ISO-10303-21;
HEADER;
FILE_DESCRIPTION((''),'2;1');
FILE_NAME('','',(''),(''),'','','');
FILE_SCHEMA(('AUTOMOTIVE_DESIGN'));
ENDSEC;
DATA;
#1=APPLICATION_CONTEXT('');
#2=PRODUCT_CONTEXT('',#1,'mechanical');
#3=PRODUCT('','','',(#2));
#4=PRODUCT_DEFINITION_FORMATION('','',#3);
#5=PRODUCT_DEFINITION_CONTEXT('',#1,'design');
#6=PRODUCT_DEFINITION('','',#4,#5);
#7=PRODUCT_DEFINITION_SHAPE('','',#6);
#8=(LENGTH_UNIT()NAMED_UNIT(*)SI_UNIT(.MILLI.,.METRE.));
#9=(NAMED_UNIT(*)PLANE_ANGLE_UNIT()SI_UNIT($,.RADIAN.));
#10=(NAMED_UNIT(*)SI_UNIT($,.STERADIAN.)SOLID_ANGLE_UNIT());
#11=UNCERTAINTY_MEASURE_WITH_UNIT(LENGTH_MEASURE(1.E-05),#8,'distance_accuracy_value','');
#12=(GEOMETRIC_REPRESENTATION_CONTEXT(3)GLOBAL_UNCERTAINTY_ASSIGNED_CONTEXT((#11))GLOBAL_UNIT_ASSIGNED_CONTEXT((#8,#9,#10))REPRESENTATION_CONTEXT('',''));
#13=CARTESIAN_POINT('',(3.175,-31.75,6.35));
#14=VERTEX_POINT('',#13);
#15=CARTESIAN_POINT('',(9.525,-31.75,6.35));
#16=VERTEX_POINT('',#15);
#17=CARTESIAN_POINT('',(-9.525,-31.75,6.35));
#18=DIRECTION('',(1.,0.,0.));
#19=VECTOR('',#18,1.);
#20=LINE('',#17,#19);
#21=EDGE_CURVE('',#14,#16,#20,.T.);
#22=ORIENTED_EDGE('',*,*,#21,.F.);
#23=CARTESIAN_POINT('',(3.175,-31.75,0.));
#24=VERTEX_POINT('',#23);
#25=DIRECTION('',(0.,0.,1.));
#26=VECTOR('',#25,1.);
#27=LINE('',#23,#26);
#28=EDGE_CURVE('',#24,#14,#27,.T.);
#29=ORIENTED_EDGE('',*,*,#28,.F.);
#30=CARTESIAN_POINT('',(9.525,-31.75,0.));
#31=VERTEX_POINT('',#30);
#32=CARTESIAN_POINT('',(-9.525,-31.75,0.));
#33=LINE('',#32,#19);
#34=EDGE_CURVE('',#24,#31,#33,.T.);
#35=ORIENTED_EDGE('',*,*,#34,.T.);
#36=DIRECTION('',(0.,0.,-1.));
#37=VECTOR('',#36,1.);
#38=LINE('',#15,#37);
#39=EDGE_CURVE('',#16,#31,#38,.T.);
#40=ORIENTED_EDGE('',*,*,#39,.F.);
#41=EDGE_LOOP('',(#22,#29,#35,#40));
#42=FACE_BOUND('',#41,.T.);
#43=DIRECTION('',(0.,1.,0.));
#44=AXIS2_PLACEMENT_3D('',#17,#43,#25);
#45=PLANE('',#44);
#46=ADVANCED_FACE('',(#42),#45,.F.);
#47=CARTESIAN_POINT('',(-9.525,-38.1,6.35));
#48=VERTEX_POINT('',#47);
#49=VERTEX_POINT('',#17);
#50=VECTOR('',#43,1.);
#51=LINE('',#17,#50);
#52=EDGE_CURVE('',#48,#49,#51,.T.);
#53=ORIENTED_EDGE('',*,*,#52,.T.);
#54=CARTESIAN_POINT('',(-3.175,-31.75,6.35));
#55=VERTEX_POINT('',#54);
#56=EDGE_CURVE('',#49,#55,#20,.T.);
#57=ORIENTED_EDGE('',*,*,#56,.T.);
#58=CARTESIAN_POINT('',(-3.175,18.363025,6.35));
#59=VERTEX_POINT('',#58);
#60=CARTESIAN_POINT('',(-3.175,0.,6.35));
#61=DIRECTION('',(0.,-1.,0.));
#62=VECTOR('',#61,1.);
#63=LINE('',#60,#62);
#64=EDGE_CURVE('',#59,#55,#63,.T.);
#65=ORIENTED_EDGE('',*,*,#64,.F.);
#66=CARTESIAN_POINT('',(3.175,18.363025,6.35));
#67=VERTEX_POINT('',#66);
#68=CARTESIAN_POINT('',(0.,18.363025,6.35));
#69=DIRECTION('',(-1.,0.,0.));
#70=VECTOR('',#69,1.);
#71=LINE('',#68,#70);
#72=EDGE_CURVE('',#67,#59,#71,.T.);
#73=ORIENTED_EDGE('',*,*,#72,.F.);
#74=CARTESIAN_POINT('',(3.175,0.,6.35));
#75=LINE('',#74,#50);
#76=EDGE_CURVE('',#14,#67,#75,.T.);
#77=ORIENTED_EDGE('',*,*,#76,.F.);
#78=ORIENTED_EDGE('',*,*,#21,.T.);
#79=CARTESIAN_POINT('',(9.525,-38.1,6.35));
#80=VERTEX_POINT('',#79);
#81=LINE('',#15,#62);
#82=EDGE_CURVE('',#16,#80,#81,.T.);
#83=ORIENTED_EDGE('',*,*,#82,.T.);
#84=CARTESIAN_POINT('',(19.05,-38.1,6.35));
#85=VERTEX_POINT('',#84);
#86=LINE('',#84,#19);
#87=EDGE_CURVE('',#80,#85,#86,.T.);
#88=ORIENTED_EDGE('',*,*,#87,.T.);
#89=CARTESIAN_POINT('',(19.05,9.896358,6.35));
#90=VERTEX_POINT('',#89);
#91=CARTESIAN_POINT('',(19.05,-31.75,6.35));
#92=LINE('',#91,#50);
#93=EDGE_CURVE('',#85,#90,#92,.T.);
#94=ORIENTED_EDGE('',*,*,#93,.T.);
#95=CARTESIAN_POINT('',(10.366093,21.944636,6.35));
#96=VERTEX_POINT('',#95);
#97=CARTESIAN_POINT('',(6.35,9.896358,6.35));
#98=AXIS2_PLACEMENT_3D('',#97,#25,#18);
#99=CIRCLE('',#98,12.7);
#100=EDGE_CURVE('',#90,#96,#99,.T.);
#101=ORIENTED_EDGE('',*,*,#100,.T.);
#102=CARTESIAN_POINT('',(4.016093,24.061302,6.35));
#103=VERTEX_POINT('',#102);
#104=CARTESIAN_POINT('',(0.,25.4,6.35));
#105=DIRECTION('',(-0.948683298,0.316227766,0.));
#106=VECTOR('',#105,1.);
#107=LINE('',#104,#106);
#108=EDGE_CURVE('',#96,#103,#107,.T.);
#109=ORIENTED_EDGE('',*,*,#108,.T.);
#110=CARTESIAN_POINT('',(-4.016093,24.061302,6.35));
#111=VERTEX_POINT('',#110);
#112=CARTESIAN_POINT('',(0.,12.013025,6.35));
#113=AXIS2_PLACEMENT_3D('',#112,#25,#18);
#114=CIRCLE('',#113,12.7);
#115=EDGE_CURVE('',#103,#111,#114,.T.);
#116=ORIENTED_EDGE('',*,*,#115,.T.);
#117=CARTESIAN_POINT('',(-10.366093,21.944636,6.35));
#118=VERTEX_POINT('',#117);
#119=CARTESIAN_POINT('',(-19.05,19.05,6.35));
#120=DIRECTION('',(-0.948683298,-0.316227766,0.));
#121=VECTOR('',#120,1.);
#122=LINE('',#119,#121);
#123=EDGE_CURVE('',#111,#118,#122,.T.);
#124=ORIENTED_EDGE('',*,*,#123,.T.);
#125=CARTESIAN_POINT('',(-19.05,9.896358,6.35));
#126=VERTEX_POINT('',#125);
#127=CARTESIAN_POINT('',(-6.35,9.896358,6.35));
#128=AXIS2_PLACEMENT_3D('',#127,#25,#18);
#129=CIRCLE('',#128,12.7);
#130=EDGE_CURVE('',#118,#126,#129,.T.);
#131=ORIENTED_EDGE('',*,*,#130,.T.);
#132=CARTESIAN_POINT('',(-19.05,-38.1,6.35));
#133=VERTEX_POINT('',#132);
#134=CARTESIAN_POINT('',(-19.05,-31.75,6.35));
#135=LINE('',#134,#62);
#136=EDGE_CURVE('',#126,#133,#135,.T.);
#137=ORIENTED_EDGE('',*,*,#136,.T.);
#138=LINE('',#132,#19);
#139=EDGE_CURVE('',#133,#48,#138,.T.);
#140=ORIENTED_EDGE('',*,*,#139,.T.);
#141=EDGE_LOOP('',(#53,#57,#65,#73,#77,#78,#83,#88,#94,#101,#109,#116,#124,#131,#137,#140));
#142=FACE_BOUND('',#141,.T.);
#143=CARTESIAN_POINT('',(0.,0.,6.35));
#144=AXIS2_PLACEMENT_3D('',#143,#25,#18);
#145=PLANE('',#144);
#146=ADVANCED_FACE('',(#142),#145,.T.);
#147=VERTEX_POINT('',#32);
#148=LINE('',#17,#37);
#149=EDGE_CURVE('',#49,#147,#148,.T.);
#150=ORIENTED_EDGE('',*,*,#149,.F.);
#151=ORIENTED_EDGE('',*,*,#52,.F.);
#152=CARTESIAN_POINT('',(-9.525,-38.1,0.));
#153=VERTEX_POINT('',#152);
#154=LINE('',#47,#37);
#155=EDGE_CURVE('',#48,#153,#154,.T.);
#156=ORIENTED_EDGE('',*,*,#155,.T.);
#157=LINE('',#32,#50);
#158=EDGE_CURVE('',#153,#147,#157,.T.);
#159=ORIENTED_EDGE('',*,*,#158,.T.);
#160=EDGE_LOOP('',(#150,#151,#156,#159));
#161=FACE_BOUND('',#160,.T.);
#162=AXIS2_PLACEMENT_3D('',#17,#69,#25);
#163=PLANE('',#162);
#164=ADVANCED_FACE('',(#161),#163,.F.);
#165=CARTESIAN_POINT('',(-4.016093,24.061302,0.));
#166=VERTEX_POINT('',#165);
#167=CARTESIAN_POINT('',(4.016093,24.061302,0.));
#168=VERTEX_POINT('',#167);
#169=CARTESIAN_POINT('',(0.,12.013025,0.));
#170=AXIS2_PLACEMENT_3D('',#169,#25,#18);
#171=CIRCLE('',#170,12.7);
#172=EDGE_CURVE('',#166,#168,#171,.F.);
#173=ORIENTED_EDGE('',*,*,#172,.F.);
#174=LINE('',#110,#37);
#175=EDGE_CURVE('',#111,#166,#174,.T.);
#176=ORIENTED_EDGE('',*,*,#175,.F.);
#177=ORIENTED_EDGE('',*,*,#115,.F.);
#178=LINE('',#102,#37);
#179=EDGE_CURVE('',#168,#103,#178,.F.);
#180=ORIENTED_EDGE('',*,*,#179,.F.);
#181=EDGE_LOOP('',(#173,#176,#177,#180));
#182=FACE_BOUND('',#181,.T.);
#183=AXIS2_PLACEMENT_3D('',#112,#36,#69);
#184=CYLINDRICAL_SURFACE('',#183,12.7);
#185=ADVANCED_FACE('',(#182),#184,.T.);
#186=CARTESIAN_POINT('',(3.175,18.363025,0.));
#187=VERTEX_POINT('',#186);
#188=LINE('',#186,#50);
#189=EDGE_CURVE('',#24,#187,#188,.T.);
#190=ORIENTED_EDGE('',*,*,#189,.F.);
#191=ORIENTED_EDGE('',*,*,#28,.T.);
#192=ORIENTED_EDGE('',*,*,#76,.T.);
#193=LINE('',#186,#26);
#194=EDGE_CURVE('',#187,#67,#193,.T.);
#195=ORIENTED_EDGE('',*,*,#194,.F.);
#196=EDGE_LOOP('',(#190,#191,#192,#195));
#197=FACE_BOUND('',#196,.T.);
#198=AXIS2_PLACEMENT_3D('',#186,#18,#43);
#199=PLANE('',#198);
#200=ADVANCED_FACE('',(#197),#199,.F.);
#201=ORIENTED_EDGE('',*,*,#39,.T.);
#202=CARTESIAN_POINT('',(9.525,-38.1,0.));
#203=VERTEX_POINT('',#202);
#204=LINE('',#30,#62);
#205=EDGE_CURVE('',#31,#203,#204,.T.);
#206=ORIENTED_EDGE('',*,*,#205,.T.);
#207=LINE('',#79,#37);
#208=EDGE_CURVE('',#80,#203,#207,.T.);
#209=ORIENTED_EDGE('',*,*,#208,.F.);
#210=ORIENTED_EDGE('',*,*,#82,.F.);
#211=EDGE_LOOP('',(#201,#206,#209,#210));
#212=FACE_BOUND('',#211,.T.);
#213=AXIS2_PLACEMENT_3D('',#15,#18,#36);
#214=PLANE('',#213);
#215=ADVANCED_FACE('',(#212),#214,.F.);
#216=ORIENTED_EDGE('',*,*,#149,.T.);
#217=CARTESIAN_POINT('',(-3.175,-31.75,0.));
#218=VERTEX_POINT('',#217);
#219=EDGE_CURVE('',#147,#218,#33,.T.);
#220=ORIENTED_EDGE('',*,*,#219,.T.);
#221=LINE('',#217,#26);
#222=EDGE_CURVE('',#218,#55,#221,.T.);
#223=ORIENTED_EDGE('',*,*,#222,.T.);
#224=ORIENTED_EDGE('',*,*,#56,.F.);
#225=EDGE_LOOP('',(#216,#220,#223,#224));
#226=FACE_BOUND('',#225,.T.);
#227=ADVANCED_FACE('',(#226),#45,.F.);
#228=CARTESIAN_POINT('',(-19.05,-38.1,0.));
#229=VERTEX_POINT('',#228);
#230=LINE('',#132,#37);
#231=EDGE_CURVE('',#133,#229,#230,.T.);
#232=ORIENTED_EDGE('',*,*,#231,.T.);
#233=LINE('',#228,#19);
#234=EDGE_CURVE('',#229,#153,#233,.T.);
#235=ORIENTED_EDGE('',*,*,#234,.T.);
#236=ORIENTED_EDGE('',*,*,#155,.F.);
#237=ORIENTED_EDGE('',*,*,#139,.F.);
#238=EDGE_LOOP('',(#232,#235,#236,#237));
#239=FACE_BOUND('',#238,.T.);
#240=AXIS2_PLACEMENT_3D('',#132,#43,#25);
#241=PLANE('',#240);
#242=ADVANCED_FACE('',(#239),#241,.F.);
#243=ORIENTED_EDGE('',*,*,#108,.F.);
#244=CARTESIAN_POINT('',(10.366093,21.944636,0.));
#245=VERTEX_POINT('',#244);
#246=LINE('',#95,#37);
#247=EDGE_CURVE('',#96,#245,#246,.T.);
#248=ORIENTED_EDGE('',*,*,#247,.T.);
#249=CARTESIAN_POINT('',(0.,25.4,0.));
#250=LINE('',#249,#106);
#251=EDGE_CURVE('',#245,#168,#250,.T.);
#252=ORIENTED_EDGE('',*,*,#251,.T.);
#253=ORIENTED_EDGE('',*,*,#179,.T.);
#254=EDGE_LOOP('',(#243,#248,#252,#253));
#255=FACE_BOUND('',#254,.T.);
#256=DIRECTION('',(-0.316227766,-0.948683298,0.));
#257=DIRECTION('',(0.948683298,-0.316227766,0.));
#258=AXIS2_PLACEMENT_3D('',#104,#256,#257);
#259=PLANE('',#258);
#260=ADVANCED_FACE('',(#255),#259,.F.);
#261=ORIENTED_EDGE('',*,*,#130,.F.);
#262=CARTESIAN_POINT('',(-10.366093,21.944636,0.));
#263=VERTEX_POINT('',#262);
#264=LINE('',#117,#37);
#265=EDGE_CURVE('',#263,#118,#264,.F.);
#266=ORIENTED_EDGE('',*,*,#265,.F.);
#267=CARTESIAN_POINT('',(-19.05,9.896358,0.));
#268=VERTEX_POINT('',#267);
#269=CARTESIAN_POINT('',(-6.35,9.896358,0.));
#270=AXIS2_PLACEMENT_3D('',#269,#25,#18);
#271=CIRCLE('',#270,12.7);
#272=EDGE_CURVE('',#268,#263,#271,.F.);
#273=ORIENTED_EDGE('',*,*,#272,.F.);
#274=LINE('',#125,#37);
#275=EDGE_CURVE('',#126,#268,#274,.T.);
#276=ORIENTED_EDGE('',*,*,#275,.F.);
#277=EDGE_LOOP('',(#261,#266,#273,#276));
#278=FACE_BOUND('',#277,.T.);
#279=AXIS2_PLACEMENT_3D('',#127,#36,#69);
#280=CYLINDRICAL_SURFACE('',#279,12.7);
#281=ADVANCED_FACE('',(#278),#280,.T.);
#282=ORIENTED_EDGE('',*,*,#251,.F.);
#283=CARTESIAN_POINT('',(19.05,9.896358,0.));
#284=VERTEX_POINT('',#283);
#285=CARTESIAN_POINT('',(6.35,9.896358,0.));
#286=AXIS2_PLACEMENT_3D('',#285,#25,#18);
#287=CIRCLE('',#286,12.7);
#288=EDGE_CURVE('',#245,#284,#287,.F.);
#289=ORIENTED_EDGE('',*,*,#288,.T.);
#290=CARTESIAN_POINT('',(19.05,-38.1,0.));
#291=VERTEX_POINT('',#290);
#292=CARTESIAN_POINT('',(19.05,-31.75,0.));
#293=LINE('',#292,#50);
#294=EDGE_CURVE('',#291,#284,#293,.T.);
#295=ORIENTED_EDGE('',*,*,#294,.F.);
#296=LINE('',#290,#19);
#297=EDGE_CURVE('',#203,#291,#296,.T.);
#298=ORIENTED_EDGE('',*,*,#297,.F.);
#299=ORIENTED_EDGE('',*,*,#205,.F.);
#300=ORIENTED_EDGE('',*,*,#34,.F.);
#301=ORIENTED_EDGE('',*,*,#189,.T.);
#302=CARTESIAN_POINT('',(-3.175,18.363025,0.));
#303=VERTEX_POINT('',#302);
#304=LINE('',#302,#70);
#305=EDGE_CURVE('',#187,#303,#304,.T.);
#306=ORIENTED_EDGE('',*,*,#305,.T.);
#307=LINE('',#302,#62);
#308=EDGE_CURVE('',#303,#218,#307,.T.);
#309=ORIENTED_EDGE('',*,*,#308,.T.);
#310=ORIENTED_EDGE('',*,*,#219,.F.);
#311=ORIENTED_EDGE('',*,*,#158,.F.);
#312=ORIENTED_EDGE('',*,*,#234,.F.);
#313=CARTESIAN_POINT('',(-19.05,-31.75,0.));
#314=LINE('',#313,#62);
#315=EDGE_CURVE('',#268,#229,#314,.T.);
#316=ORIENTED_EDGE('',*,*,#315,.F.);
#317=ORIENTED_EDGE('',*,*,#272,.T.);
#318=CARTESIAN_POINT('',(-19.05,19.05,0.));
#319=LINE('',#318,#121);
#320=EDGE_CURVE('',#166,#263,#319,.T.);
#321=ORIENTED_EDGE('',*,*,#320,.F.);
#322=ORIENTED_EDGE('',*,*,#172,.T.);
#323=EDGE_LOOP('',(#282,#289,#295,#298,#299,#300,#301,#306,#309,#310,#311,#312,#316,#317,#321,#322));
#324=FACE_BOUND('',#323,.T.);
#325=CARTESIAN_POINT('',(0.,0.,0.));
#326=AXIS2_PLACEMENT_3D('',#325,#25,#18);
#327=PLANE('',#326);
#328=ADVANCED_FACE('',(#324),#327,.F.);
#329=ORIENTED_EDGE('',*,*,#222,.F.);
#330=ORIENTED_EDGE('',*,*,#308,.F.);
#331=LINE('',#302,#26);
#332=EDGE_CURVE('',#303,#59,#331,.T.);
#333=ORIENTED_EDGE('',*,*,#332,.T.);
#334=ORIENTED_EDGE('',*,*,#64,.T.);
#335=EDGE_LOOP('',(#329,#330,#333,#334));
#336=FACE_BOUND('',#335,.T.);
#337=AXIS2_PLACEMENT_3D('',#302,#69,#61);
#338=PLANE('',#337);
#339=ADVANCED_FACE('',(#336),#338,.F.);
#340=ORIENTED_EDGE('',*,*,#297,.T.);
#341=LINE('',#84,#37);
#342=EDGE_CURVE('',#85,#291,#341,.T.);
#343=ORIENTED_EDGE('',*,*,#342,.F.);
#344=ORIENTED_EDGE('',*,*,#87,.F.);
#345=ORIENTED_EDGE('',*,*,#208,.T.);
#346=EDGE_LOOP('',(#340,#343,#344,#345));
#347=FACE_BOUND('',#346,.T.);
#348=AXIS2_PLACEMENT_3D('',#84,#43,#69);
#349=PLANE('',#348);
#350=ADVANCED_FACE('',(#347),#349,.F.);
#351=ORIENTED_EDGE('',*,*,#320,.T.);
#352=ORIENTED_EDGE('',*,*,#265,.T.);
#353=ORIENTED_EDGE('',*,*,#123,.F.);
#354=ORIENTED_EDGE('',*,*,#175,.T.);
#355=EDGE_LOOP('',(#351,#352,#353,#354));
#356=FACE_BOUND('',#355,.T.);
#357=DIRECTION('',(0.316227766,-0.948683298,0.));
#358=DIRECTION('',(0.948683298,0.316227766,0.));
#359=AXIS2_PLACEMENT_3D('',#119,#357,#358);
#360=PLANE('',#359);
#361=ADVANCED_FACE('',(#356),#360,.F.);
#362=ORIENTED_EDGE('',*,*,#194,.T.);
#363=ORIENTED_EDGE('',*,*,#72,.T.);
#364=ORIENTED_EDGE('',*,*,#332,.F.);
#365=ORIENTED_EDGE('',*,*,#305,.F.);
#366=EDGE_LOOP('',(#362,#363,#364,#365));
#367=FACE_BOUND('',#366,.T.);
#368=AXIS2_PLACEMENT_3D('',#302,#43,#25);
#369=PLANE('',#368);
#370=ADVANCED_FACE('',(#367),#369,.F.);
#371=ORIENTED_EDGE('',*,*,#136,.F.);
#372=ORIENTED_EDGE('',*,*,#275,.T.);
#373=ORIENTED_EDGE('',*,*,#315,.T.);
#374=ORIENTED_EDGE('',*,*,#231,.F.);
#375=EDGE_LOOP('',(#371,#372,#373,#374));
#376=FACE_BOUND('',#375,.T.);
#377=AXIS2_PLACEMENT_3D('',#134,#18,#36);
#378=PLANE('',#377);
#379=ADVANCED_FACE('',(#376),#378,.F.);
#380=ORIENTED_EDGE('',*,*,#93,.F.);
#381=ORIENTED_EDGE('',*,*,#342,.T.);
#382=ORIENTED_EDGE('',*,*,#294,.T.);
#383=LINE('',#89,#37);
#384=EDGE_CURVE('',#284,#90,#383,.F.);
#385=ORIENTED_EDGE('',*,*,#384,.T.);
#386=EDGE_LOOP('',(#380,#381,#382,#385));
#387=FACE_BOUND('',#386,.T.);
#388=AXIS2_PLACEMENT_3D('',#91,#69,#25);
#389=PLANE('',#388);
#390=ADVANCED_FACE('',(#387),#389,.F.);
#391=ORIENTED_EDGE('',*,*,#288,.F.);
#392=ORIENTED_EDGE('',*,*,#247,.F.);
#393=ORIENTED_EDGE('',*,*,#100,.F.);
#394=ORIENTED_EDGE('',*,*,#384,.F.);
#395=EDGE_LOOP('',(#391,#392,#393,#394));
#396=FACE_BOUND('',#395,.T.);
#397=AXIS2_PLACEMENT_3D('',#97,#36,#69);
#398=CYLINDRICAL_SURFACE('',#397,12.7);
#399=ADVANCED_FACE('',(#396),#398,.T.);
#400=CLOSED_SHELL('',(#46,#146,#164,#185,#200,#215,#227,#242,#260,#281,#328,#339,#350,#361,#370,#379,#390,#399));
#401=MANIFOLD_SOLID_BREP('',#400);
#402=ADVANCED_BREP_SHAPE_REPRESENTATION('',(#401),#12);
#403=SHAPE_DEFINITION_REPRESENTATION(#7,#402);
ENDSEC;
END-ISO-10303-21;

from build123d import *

# Parameters (mm, degrees)
BOSS_EXTRUDE1_DEPTH     = 6.35
FILLET1_R               = 12.7
CUT_EXTRUDE1_DEPTH      = 44.067795393
CUT_EXTRUDE1_DEPTH_BACK = 44.067795393
SKETCH2_W               = 6.35
SKETCH2_H               = 50.113024572


with BuildPart() as part:
    # Sketch1 → Boss-Extrude1 (new body)
    with BuildSketch(Plane.XY):
        Polygon((-9.525, -31.75), (9.525, -31.75), (9.525, -38.1), (19.05, -38.1), (19.05, -31.75), (19.05, 19.05), (0, 25.4), (-19.05, 19.05), (-19.05, -31.75), (-19.05, -38.1), (-9.525, -38.1), align=None)
    extrude(amount=BOSS_EXTRUDE1_DEPTH)

    # Fillet1
    fillet1_edges = [part.edges().sort_by_distance(p)[0] for p in [
        (-19.05, 19.05, 3.175),
        (0, 25.4, 3.175),
        (19.05, 19.05, 3.175),
    ]]
    fillet(fillet1_edges, radius=FILLET1_R)

    # Sketch2 → Cut-Extrude1 (cut, two sides: drawn at the far end of the back side and taken through both)
    with BuildSketch(Plane.XY.offset(6.35).offset(-CUT_EXTRUDE1_DEPTH_BACK)):
        with Locations((0, -6.693487714)):
            Rectangle(SKETCH2_W, SKETCH2_H)
    extrude(amount=CUT_EXTRUDE1_DEPTH + CUT_EXTRUDE1_DEPTH_BACK, mode=Mode.SUBTRACT)


solid = part.part
